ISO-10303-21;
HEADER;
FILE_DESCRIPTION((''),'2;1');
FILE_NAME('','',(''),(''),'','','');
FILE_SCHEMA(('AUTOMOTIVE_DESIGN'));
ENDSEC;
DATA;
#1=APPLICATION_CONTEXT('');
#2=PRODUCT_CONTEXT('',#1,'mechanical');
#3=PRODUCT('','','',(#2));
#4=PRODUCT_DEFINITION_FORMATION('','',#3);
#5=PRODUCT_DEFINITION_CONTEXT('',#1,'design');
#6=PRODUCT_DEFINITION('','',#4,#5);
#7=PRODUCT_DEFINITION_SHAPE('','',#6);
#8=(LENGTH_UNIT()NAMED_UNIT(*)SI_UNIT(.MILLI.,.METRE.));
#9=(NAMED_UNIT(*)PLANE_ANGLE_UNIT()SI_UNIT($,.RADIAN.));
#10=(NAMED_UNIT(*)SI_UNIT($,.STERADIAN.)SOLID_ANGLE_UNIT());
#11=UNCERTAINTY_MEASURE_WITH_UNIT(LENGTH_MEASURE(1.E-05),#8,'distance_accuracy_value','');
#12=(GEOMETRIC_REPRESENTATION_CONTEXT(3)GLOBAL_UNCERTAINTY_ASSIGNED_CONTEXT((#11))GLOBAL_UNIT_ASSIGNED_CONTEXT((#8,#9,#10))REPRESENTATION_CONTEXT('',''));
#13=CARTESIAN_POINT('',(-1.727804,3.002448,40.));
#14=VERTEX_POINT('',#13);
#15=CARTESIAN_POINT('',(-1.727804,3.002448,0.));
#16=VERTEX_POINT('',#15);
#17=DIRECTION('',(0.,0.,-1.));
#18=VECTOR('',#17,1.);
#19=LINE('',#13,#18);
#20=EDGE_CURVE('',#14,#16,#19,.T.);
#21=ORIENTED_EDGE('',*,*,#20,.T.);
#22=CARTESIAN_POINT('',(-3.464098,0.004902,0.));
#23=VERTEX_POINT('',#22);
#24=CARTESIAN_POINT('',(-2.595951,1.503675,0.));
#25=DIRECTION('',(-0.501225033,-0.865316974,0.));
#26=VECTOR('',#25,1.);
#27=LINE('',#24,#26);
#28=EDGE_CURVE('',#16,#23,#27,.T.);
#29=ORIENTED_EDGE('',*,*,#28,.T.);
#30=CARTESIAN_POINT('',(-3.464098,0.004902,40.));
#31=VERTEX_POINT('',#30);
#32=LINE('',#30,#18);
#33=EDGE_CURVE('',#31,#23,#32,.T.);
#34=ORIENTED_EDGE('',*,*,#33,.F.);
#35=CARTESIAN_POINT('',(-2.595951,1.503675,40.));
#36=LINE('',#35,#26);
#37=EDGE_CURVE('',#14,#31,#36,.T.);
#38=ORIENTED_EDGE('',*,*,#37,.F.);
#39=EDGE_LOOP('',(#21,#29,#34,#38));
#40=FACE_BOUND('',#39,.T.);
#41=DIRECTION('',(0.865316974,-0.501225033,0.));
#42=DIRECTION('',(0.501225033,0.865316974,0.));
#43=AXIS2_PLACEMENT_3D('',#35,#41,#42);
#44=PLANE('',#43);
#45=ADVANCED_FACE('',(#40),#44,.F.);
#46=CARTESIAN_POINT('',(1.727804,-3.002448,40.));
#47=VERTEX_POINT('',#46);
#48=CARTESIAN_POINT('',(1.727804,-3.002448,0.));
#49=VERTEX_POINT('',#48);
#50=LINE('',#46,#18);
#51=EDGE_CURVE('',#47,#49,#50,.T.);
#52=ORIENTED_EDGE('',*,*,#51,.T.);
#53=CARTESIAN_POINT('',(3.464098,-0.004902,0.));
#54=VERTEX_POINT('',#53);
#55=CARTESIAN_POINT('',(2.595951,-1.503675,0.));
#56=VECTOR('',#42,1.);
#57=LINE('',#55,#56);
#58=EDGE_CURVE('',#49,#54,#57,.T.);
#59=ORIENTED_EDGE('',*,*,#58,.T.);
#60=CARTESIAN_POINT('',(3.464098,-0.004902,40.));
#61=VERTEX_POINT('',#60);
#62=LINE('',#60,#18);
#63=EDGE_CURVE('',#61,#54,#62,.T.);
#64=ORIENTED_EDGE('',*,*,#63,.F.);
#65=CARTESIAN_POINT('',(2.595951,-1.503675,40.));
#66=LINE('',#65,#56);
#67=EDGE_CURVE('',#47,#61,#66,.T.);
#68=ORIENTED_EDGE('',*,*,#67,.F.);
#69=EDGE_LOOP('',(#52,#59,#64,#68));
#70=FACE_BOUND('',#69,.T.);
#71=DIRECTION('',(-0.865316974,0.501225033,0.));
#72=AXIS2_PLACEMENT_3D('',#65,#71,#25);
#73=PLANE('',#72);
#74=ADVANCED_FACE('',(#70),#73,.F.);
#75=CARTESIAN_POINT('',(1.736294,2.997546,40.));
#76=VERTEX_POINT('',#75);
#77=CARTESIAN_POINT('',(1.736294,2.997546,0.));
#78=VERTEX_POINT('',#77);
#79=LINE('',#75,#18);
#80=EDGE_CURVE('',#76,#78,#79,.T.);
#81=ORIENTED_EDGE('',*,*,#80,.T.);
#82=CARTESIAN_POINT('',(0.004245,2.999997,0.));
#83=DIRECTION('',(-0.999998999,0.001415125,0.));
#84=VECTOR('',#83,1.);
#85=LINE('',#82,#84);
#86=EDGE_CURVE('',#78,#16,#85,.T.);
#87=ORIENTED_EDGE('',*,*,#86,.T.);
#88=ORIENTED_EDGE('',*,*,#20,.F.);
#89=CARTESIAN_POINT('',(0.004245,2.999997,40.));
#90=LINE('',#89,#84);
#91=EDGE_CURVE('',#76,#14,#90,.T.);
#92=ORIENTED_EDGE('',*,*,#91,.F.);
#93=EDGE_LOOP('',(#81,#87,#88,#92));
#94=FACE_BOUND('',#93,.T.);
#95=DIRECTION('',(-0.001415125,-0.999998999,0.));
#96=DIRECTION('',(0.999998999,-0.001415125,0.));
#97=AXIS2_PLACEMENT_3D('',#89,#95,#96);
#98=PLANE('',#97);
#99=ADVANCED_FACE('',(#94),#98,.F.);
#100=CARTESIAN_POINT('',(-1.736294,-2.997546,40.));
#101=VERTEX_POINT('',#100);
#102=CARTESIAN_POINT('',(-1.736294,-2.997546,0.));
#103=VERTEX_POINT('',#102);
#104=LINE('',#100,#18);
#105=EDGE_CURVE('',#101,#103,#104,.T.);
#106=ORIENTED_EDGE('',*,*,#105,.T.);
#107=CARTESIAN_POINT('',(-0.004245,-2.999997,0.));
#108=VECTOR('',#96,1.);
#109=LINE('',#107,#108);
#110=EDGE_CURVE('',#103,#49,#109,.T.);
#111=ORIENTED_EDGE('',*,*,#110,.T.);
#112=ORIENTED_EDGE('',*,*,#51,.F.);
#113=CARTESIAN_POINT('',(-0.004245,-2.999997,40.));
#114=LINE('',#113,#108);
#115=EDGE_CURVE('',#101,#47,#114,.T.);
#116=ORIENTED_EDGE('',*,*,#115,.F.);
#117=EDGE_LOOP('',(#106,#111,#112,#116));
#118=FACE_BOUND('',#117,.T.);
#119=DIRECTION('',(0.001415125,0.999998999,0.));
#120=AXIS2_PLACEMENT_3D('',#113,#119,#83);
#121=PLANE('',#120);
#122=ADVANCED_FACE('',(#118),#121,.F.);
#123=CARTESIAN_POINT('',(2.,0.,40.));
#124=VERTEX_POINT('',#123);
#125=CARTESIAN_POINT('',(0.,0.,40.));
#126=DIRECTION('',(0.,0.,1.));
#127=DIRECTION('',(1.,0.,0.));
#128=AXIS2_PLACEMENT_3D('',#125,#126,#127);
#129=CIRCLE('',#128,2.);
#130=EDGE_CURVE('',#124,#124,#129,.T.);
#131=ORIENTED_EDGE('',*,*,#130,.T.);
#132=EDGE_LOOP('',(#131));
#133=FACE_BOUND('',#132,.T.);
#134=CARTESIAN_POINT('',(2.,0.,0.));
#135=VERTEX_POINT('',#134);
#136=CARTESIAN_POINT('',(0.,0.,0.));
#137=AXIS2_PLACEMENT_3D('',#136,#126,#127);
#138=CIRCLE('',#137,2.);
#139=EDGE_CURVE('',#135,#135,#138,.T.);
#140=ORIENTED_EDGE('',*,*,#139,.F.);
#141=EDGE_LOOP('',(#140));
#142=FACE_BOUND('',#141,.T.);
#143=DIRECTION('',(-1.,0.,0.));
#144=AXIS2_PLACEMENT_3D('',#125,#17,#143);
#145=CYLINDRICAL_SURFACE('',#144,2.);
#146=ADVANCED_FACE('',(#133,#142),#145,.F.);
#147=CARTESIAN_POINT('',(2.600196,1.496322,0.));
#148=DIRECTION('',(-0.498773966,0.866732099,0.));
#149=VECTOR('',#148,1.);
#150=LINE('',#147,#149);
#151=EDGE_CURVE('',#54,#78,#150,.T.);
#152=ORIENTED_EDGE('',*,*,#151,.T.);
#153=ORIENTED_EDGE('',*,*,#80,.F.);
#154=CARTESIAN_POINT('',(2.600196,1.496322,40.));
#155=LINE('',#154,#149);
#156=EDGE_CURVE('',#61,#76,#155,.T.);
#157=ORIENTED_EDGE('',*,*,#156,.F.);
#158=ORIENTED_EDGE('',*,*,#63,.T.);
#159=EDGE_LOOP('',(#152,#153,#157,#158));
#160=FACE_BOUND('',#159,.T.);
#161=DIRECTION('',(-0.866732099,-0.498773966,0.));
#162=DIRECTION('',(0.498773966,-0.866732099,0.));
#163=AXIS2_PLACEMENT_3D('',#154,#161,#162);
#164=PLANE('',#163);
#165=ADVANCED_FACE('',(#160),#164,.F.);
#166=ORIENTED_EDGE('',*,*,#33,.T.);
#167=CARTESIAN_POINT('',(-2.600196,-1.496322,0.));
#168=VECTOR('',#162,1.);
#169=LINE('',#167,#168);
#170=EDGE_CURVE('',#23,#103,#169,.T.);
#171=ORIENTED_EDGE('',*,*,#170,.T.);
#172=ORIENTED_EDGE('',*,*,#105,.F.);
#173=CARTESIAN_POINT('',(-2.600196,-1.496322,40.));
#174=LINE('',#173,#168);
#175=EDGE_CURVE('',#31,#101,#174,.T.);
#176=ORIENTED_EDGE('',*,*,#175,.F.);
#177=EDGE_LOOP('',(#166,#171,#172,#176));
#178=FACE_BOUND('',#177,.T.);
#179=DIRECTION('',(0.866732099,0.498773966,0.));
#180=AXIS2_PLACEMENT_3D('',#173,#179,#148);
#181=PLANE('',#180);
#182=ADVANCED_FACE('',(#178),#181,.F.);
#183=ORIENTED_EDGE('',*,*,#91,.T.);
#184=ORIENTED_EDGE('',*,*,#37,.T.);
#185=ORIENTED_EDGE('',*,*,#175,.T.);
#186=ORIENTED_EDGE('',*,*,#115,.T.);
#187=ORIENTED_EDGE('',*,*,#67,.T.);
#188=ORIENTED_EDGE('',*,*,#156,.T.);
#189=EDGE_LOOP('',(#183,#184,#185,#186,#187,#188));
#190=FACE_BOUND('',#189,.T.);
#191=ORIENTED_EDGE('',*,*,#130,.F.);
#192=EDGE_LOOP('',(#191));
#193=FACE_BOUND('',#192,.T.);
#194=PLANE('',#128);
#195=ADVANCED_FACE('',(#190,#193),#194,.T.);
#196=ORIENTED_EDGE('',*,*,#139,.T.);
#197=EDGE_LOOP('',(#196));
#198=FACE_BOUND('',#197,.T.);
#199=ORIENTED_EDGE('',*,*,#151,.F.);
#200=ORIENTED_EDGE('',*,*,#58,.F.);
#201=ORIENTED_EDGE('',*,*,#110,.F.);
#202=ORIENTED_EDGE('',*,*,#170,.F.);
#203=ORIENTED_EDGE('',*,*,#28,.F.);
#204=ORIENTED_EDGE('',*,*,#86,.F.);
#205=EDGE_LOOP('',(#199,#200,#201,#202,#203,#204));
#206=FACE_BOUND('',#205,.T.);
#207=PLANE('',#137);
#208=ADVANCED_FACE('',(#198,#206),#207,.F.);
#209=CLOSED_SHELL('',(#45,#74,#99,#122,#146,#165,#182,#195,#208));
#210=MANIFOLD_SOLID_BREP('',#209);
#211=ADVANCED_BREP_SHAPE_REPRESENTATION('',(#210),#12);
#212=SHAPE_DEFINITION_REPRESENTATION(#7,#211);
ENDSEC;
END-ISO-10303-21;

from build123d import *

# Parameters (mm, degrees)
SKETCH2_R           = 3
SKETCH2_R_2         = 2
BOSS_EXTRUDE1_DEPTH = 40


with BuildPart() as part:
    # Sketch2 → Boss-Extrude1 (new body)
    # profile 1 of 7: a face of its own
    with BuildSketch(Plane.XY):
        Circle(SKETCH2_R)
        Circle(SKETCH2_R_2, mode=Mode.SUBTRACT)
    # profile 2 of 7: a face of its own
    with BuildSketch(Plane.XY):
        with BuildLine():
            Line((0.00424563, 2.999996996), (-1.7278037, 3.002448064))
            Line((-1.7278037, 3.002448064), (-2.595950792, 1.503675326))
            ThreePointArc((-2.595950792, 1.503675326), (-1.496321672, 2.600196426), (0.00424563, 2.999996996))
        make_face()
    # profile 3 of 7: a face of its own
    with BuildSketch(Plane.XY):
        with BuildLine():
            Line((1.736294447, 2.997545929), (0.00424563, 2.999996996))
            ThreePointArc((0.00424563, 2.999996996), (1.503675324, 2.595950793), (2.600196428, 1.496321669))
            Line((2.600196428, 1.496321669), (1.736294447, 2.997545929))
        make_face()
    # profile 4 of 7: a face of its own
    with BuildSketch(Plane.XY):
        with BuildLine():
            Line((3.464098147, -0.004902135), (2.600196428, 1.496321669))
            ThreePointArc((2.600196428, 1.496321669), (2.898326179, 0.774406456), (3, 0))
            ThreePointArc((3, 0), (2.897227326, -0.778507431), (2.595950787, -1.503675335))
            Line((2.595950787, -1.503675335), (3.464098147, -0.004902135))
        make_face()
    # profile 5 of 7: a face of its own
    with BuildSketch(Plane.XY):
        with BuildLine():
            ThreePointArc((2.595950787, -1.503675335), (1.496321666, -2.60019643), (-0.004245634, -2.999996996))
            Line((-0.004245634, -2.999996996), (1.7278037, -3.002448064))
            Line((1.7278037, -3.002448064), (2.595950787, -1.503675335))
        make_face()
    # profile 6 of 7: a face of its own
    with BuildSketch(Plane.XY):
        with BuildLine():
            ThreePointArc((-0.004245634, -2.999996996), (-1.503675323, -2.595950794), (-2.600196425, -1.496321674))
            Line((-2.600196425, -1.496321674), (-1.736294447, -2.997545929))
            Line((-1.736294447, -2.997545929), (-0.004245634, -2.999996996))
        make_face()
    # profile 7 of 7: a face of its own
    with BuildSketch(Plane.XY):
        with BuildLine():
            ThreePointArc((-2.600196425, -1.496321674), (-2.999996996, 0.004245633), (-2.595950792, 1.503675326))
            Line((-2.595950792, 1.503675326), (-3.464098147, 0.004902135))
            Line((-3.464098147, 0.004902135), (-2.600196425, -1.496321674))
        make_face()
    extrude(amount=BOSS_EXTRUDE1_DEPTH)


solid = part.part
